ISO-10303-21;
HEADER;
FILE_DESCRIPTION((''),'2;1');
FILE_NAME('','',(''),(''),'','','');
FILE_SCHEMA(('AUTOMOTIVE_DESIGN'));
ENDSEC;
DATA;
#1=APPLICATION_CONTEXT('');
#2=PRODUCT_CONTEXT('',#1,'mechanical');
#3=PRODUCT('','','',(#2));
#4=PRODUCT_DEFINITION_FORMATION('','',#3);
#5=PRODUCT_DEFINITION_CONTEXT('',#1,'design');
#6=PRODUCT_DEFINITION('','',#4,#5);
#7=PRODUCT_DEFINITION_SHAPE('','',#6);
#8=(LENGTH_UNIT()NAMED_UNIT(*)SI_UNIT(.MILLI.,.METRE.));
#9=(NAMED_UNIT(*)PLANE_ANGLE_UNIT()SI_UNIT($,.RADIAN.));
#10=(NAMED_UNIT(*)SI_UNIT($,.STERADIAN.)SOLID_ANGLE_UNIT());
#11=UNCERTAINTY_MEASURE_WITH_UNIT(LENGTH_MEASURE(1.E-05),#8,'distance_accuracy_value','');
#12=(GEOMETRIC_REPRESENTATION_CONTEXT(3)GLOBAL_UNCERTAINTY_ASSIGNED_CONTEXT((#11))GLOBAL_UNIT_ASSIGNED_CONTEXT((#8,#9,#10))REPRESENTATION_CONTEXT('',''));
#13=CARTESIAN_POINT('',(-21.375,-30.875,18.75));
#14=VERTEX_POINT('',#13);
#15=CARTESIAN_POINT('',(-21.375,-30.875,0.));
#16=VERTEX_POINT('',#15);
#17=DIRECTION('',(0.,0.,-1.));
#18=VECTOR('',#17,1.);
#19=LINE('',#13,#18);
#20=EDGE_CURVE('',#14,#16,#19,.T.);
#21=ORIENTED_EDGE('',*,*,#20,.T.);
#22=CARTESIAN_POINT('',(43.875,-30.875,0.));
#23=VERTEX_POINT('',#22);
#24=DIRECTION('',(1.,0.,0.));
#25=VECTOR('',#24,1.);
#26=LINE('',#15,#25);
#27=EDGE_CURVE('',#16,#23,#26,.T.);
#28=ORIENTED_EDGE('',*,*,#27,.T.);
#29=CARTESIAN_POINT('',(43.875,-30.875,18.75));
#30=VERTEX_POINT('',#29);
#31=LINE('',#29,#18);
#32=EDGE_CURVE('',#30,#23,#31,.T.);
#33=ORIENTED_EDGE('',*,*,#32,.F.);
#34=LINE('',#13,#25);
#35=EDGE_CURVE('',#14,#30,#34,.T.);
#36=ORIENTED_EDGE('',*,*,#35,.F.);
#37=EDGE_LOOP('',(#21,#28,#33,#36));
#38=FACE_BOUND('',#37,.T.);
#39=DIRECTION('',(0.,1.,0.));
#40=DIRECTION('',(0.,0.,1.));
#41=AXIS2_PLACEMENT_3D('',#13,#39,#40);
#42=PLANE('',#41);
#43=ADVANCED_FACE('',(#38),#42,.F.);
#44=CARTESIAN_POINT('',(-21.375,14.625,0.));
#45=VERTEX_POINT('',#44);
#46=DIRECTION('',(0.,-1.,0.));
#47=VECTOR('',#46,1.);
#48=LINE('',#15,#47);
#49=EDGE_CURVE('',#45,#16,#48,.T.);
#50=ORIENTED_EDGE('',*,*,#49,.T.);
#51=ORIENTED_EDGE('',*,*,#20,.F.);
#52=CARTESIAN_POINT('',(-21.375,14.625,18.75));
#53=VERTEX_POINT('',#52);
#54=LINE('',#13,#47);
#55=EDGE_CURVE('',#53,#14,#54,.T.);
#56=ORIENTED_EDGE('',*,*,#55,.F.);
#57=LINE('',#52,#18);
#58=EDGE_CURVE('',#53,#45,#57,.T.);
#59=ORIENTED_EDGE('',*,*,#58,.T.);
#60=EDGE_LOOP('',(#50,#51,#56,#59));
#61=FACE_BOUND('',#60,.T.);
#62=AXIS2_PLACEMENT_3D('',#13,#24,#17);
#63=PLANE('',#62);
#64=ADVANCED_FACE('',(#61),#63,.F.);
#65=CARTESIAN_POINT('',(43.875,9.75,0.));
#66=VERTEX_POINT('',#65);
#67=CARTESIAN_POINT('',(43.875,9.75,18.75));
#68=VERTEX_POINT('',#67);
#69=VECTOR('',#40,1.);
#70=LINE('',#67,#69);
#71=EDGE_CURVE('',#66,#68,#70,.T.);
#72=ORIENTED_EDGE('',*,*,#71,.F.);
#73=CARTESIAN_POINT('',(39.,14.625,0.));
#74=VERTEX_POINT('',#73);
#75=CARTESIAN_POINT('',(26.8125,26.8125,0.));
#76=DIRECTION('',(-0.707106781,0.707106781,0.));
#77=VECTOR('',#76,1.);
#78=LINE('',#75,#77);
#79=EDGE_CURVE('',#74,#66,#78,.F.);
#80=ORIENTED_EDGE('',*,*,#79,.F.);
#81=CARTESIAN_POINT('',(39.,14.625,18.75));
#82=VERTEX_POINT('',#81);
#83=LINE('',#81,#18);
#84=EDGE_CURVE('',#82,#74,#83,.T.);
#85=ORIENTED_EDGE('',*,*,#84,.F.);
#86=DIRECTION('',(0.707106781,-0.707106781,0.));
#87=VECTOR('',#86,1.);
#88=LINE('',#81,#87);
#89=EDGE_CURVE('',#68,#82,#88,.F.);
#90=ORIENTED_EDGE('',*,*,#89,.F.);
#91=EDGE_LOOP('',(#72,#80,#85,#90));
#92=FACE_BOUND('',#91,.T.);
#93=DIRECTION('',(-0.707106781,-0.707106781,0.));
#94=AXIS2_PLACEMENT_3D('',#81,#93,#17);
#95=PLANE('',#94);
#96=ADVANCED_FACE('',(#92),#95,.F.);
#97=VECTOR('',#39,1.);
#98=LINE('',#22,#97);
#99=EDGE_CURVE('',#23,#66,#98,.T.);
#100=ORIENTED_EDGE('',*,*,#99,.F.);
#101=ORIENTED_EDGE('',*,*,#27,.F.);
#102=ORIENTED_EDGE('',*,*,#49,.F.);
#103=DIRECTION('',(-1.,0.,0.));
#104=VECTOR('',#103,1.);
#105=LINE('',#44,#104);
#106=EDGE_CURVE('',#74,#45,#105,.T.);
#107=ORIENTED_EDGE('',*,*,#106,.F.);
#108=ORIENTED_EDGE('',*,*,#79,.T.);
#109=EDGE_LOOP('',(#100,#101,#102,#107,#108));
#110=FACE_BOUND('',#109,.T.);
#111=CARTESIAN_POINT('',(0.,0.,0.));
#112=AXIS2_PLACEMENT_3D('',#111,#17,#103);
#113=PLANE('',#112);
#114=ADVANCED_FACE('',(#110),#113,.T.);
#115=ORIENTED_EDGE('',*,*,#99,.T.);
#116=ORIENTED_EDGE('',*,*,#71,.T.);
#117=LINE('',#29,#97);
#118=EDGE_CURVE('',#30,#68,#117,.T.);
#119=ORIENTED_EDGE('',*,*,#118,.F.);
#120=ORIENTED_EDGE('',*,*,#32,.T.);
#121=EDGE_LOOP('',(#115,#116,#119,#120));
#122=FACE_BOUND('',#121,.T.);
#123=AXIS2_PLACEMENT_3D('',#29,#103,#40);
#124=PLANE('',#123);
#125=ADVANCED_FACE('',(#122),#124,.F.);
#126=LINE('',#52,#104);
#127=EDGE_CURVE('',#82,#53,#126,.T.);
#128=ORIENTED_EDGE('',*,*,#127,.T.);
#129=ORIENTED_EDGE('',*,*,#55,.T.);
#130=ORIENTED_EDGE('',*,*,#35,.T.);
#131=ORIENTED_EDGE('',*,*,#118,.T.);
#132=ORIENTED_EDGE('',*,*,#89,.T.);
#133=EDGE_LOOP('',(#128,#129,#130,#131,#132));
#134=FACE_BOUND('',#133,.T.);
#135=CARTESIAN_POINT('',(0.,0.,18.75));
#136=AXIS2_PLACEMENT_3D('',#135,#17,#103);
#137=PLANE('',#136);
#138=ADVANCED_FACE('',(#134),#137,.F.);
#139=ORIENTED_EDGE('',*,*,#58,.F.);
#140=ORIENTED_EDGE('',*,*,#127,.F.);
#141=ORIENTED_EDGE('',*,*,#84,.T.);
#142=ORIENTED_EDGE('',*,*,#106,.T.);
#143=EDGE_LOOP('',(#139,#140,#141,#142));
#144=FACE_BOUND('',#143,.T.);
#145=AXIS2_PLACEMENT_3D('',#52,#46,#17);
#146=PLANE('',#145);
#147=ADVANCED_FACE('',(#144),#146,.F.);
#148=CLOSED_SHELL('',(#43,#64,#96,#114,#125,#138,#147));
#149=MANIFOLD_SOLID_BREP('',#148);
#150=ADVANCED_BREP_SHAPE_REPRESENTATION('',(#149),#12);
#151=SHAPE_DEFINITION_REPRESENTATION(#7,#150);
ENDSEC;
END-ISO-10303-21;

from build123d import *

# Parameters (mm, degrees)
CHAMFERSTOCKSKETCH_W         = 65.25
CHAMFERSTOCKSKETCH_H         = 45.5
CHAMFERSTOCKBOSS_DEPTH       = 18.75
DISTANCEPAIREDGECHAMFER_SIZE = 4.875


with BuildPart() as part:
    # ChamferStockSketch → ChamferStockBoss (new body)
    with BuildSketch(Plane.XY):
        with Locations((11.25, -8.125)):
            Rectangle(CHAMFERSTOCKSKETCH_W, CHAMFERSTOCKSKETCH_H)
    extrude(amount=CHAMFERSTOCKBOSS_DEPTH)

    # DistancePairEdgeChamfer
    distancepairedgechamfer_edges = [part.edges().sort_by_distance(p)[0] for p in [
        (43.875, 14.625, 9.375),
    ]]
    chamfer(distancepairedgechamfer_edges, length=DISTANCEPAIREDGECHAMFER_SIZE)


solid = part.part
